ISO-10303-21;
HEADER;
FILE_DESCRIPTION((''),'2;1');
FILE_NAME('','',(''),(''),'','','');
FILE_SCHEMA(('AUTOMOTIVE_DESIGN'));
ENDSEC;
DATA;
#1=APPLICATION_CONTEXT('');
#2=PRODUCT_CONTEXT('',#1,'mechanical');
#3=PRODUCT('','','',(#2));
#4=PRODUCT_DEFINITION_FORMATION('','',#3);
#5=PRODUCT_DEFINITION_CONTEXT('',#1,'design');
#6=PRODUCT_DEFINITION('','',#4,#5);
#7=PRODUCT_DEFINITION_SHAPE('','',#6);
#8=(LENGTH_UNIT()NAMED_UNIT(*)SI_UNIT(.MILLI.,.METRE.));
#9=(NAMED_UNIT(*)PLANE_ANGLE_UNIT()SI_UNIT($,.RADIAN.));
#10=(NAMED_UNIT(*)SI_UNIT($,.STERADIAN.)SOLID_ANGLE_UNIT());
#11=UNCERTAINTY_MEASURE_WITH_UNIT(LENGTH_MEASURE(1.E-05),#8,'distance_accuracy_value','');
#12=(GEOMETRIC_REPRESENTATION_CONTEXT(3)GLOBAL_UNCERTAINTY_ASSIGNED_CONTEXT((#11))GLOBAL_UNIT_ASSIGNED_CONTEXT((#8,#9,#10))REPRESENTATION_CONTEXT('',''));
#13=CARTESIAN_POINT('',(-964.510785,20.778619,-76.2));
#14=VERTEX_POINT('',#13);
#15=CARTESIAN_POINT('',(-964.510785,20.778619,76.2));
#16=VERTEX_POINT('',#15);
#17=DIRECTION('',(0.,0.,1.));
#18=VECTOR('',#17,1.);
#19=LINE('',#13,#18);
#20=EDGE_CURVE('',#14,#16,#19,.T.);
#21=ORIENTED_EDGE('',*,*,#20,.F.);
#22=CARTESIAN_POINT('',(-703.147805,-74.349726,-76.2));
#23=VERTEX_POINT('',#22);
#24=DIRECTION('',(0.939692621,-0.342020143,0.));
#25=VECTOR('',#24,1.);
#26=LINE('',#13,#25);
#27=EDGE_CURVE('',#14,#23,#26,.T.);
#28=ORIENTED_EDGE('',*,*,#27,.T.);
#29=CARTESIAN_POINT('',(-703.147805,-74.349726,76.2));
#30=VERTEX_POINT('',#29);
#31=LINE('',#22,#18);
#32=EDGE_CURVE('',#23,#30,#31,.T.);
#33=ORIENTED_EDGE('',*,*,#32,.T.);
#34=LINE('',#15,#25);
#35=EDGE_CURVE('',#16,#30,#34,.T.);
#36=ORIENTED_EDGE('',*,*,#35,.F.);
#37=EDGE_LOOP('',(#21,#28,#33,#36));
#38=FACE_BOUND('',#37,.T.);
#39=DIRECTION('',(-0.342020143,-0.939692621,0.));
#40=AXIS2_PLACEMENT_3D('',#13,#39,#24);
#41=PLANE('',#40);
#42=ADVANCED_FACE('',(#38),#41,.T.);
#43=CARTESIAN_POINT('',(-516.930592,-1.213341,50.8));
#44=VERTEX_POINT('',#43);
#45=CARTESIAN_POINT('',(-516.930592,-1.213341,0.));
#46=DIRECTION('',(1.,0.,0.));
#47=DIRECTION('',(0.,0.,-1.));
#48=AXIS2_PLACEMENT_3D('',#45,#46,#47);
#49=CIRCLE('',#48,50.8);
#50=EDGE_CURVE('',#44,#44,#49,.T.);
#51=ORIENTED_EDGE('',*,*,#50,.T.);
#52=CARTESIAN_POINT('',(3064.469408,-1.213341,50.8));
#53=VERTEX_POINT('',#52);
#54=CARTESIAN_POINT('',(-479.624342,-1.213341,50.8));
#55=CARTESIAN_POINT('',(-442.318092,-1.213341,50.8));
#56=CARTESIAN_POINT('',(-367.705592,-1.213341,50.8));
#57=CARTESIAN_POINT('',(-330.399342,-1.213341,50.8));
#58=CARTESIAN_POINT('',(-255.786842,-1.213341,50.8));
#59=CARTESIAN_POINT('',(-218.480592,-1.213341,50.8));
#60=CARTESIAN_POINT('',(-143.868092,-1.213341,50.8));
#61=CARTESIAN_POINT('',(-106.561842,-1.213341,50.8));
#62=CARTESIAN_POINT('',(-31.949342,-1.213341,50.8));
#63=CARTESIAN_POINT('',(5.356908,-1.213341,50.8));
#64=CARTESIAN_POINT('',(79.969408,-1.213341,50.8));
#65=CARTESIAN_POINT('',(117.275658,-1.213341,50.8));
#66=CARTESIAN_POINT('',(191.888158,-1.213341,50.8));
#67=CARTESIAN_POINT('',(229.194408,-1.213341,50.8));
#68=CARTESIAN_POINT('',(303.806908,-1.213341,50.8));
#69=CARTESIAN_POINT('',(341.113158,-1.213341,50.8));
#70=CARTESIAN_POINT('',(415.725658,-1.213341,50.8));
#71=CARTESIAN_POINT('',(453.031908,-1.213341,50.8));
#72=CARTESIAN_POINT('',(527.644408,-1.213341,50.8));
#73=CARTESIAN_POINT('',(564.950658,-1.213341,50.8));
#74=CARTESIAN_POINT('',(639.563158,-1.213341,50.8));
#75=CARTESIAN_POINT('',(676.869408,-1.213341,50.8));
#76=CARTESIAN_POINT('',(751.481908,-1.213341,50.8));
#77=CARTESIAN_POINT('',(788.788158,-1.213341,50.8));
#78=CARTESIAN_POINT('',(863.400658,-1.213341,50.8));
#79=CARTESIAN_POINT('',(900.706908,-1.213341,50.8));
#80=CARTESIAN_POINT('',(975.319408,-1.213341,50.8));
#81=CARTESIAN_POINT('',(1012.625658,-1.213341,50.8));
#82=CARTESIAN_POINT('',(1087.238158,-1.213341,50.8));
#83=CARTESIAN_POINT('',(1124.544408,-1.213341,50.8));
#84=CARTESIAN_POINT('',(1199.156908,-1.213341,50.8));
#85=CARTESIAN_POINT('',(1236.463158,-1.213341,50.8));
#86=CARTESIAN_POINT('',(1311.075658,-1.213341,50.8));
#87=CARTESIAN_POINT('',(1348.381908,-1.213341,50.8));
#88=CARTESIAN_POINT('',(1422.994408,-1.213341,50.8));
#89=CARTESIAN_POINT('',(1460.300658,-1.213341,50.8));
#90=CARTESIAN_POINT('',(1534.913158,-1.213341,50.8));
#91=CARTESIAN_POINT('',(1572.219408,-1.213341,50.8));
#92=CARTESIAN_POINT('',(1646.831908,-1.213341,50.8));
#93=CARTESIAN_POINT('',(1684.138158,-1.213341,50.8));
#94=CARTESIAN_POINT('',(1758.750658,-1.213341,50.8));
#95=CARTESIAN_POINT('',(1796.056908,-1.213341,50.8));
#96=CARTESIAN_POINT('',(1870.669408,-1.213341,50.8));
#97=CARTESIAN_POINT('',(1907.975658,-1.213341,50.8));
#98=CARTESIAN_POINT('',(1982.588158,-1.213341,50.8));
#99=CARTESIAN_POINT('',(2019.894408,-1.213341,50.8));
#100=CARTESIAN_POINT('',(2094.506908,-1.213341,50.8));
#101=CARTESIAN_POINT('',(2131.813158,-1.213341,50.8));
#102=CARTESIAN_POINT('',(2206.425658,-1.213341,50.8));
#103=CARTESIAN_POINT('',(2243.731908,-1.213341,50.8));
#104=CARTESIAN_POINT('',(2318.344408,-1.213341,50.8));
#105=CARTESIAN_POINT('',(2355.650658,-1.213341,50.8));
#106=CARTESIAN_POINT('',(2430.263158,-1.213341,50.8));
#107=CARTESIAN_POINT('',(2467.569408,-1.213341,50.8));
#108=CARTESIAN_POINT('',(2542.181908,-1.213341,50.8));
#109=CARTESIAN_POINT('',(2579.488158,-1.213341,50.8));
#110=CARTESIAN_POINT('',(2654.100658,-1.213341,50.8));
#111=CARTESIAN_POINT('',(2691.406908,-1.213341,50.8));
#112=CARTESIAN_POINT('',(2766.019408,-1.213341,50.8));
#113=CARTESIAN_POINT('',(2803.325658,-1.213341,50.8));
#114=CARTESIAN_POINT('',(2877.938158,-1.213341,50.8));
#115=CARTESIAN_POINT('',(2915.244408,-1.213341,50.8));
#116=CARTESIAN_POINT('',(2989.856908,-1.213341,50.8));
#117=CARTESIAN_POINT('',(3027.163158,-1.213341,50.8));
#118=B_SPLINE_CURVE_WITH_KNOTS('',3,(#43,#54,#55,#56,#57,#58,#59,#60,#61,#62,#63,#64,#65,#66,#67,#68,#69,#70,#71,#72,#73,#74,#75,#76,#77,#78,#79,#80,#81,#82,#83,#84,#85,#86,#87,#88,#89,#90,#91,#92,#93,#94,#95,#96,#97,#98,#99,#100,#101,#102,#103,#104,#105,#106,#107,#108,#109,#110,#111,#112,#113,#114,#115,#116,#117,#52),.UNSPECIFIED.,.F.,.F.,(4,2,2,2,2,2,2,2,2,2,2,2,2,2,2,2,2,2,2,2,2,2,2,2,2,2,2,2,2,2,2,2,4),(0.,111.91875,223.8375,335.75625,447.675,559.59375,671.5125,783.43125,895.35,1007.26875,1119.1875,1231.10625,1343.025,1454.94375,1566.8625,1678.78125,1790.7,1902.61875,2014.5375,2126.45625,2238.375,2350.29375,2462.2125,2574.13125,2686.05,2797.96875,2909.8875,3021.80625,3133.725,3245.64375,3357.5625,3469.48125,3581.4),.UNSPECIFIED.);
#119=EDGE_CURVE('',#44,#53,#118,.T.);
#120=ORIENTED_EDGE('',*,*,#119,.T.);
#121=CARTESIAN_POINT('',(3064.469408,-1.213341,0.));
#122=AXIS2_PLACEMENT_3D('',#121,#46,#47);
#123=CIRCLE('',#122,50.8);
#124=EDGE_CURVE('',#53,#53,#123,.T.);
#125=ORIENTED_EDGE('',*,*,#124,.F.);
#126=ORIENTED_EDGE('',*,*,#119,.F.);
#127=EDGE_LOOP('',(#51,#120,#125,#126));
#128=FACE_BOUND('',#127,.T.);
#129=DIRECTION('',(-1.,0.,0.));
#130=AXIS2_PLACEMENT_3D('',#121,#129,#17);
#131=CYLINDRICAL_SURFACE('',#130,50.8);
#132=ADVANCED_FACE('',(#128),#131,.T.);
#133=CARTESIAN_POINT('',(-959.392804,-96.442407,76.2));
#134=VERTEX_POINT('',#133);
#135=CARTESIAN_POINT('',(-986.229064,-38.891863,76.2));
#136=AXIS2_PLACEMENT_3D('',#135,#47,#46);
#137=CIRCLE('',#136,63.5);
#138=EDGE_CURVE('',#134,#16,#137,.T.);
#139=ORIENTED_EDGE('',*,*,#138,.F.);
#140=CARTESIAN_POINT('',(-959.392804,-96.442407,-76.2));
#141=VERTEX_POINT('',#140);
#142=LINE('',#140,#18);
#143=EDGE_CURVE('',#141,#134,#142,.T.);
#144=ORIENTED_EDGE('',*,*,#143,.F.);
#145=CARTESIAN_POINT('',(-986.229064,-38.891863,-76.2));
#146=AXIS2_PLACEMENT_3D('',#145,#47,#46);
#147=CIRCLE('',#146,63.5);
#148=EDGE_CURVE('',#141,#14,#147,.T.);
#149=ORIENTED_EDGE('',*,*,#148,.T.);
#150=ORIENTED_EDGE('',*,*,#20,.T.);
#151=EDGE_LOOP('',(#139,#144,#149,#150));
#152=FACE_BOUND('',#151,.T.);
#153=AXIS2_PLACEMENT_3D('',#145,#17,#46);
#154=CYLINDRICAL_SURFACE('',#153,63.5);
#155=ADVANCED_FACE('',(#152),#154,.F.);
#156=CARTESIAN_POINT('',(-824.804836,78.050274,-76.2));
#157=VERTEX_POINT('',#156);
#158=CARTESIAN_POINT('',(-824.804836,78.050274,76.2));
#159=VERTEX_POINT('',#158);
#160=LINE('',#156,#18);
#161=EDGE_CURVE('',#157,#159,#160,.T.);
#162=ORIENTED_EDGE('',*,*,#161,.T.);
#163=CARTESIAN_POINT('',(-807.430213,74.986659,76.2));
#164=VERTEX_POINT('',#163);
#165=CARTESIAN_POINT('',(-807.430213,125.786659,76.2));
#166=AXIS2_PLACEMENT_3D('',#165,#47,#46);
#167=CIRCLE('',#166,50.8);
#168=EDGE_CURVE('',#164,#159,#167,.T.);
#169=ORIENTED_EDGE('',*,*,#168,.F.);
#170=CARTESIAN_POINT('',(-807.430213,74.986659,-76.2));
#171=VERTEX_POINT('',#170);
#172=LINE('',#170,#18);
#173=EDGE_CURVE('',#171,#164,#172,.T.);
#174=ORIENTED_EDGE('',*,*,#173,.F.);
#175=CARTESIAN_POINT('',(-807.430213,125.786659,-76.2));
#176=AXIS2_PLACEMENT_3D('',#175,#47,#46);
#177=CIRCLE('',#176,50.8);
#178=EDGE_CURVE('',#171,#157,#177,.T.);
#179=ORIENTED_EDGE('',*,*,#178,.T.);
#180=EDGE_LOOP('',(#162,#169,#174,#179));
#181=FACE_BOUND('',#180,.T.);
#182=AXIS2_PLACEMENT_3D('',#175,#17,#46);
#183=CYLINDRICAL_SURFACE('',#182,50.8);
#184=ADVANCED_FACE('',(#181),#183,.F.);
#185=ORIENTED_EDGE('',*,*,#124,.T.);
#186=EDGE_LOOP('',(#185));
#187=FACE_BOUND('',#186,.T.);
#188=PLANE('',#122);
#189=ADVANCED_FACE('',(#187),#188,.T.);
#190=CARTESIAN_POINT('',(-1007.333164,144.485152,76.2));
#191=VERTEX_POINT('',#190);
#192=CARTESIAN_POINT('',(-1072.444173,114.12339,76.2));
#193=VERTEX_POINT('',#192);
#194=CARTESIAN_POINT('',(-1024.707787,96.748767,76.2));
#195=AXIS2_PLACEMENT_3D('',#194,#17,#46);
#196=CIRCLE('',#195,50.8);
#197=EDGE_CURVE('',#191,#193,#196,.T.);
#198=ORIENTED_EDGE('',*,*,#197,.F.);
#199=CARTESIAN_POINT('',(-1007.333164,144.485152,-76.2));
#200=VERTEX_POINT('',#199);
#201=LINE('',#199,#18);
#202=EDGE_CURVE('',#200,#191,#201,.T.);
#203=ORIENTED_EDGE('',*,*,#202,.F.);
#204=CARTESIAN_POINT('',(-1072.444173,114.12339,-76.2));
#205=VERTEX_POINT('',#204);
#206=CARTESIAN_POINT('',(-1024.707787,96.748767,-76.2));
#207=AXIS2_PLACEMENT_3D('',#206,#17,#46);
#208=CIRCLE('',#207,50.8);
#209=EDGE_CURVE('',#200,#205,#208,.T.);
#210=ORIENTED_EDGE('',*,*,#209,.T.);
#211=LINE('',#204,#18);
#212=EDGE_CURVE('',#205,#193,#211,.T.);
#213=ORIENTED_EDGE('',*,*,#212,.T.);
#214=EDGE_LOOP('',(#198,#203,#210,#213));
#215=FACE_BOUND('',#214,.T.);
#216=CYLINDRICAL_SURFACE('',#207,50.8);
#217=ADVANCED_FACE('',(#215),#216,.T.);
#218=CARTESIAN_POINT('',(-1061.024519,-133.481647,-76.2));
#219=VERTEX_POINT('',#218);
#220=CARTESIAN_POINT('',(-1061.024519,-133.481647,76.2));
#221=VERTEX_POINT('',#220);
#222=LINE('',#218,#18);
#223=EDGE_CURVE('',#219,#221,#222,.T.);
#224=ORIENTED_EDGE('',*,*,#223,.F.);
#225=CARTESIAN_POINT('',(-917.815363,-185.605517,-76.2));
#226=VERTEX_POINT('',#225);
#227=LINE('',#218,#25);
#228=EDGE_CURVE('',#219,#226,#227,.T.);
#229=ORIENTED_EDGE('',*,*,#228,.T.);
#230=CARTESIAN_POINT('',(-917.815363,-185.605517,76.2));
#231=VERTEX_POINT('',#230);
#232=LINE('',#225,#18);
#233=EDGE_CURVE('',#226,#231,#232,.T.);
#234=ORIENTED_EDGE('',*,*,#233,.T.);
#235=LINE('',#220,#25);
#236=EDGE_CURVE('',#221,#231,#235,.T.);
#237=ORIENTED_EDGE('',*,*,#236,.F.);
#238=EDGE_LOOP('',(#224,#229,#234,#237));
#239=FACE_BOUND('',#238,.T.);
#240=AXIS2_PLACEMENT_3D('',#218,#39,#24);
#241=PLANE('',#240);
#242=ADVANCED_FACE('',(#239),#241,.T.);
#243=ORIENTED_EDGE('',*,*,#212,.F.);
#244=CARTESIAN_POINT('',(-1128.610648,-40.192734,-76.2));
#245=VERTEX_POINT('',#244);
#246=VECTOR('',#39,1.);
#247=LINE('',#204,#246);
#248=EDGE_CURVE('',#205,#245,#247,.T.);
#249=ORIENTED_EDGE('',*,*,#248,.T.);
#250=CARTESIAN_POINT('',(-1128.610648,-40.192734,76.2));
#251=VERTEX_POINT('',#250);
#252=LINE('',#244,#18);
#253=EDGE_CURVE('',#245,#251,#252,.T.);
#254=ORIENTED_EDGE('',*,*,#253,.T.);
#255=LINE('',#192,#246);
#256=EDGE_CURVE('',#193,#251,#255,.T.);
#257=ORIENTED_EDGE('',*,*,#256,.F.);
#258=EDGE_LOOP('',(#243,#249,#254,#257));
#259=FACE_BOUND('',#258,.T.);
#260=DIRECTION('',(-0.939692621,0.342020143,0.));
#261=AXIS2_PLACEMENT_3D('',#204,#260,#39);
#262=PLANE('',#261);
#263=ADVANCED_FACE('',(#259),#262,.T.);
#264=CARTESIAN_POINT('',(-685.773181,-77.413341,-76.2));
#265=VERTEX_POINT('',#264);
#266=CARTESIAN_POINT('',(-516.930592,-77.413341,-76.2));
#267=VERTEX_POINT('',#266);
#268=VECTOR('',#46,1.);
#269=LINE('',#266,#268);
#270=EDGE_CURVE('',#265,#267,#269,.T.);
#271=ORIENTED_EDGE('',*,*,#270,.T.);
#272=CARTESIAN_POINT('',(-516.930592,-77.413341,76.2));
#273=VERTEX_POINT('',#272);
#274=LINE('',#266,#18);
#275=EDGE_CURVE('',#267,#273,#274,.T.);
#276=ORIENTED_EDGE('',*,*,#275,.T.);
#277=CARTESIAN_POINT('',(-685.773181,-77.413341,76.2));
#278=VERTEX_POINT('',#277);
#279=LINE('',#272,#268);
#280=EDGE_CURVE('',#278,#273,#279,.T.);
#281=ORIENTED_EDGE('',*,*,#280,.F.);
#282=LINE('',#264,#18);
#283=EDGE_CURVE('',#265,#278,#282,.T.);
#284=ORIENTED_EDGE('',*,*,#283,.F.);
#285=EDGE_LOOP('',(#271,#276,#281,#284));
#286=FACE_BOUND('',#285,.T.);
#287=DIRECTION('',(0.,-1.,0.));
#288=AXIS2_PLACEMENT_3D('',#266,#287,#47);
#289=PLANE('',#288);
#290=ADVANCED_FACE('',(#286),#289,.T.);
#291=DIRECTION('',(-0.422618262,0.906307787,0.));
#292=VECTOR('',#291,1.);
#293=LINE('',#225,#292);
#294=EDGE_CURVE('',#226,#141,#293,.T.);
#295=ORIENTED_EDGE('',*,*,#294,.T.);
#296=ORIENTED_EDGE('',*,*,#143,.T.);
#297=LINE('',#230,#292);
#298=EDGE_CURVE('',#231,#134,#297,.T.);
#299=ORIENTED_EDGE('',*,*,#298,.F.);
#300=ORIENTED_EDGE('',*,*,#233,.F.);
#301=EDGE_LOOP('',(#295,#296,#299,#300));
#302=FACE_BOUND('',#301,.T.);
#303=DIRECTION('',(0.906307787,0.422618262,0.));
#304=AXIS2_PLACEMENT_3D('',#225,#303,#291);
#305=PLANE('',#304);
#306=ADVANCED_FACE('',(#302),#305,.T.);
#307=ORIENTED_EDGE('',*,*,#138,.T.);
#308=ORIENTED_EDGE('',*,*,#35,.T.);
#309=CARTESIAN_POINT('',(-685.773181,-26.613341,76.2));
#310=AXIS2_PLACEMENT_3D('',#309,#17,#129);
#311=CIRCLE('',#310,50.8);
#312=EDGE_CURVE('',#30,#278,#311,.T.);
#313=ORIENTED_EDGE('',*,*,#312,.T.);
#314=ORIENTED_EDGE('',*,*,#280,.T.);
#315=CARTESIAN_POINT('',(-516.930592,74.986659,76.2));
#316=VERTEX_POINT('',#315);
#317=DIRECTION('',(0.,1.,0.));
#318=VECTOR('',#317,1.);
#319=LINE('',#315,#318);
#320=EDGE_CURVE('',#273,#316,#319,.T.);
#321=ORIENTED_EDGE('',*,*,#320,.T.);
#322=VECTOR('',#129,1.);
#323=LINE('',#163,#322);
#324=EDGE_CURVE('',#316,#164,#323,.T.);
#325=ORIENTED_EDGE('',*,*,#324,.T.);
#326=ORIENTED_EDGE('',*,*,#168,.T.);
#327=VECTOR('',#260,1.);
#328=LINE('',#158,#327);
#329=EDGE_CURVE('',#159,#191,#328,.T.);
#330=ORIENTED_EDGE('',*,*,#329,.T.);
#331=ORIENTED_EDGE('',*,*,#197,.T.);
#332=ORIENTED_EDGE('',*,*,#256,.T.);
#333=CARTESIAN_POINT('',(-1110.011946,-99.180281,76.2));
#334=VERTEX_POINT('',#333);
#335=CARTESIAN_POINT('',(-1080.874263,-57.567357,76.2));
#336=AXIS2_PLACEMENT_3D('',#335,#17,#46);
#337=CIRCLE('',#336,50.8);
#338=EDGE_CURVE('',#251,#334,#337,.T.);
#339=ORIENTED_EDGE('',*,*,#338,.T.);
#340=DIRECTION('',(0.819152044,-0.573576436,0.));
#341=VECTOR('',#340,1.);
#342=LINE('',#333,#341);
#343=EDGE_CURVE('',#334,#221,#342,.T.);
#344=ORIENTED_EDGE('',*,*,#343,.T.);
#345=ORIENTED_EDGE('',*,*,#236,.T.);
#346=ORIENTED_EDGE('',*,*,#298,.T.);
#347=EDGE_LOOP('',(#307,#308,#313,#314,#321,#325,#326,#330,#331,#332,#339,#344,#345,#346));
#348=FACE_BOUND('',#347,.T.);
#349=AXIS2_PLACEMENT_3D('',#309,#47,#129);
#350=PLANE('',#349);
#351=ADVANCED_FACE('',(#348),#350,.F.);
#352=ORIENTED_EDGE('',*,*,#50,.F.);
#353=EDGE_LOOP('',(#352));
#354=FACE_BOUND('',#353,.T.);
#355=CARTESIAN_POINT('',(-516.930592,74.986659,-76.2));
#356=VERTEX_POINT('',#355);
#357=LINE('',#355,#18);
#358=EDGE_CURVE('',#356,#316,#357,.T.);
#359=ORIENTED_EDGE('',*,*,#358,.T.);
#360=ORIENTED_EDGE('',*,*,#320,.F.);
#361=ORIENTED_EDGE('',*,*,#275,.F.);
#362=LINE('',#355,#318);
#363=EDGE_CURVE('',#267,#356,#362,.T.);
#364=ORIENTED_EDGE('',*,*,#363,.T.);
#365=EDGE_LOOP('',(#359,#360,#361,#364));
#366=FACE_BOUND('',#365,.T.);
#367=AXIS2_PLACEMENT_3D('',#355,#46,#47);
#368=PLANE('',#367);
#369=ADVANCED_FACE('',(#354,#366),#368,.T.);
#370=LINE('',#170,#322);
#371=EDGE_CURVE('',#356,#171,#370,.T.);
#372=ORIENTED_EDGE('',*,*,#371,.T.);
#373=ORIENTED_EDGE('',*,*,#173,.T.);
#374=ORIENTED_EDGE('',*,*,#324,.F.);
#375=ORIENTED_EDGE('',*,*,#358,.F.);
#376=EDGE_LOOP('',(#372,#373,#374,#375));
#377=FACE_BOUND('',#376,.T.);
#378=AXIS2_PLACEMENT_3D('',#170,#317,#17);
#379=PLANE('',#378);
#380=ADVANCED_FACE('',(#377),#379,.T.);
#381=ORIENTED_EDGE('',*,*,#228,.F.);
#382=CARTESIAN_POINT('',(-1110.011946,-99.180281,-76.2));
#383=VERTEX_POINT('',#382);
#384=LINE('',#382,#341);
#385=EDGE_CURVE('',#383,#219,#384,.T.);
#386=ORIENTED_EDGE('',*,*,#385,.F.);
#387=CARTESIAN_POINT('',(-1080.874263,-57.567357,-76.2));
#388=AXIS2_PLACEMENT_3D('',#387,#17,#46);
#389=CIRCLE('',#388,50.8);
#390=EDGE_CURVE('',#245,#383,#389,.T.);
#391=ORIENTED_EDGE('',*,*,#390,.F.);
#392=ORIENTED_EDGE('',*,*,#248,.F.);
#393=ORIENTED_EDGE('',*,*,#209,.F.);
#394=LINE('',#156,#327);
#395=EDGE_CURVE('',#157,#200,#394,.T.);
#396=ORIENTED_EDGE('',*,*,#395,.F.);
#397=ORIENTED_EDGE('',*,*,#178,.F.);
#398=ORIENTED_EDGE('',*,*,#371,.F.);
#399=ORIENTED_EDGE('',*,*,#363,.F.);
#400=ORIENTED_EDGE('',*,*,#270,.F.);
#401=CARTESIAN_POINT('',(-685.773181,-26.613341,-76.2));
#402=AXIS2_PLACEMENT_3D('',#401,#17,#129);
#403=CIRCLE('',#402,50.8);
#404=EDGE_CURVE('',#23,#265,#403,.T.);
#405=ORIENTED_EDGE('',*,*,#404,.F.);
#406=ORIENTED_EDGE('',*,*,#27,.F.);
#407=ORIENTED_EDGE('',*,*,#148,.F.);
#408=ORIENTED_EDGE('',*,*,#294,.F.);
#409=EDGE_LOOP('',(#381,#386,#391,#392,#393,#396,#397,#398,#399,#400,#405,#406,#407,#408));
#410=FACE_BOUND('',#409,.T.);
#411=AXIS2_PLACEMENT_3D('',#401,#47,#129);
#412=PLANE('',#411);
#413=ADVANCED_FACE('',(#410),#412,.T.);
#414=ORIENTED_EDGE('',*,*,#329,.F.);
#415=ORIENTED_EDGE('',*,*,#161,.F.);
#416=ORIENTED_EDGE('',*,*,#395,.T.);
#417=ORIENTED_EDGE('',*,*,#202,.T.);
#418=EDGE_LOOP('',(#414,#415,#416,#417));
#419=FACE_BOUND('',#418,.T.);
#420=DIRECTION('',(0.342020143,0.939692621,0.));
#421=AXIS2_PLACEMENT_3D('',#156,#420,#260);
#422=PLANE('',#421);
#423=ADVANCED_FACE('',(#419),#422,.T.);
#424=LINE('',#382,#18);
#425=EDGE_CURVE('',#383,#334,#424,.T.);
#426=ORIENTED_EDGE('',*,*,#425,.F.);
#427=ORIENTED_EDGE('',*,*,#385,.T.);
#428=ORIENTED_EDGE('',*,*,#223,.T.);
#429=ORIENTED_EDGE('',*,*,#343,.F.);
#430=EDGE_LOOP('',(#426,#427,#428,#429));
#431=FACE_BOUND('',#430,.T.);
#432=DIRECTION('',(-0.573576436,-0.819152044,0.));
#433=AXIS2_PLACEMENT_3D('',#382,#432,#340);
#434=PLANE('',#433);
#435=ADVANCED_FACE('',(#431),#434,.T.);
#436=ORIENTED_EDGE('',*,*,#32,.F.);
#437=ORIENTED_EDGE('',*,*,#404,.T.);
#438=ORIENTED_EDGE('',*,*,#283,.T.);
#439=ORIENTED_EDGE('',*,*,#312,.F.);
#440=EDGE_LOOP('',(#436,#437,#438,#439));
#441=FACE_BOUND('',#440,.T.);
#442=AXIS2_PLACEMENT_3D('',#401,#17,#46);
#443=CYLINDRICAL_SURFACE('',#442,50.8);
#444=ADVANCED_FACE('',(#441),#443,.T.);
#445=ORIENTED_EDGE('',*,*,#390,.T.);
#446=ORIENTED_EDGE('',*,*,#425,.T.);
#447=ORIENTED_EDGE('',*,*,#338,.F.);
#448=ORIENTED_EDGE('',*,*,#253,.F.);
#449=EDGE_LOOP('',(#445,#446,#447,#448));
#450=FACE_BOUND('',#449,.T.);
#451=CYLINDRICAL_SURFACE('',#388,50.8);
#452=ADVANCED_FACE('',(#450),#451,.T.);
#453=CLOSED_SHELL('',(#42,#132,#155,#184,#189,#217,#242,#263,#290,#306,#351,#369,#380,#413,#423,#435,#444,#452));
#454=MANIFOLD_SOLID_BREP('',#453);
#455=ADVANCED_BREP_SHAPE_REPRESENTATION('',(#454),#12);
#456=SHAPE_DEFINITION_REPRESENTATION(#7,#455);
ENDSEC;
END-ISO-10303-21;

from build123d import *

# Parameters (mm, degrees)
SKETCH1_R           = 25.4
BOSS_EXTRUDE1_DEPTH = 1828.8
BOSS_EXTRUDE2_DEPTH = 38.1
SCALE1_SCALE        = 2


with BuildPart() as part:
    # Sketch1 → Boss-Extrude1 (new body)
    with BuildSketch(Plane(origin=(0, 0, 0), x_dir=(0, 0, -1), z_dir=(1, 0, 0))):
        with Locations(Location((0, 0, 0), (0, 0, 180))):
            Circle(SKETCH1_R)
    extrude(amount=BOSS_EXTRUDE1_DEPTH)

    # Sketch2 → Boss-Extrude2 (add, symmetric)
    with BuildSketch(Plane.XY):
        with BuildLine():
            Line((38.1, -38.1), (-46.32129469, -38.1))
            ThreePointArc((-46.32129469, -38.1), (-50.731958403, -37.714116927), (-55.00860633, -36.568192568))
            Line((-55.00860633, -36.568192568), (-185.690096464, 10.99598001))
            ThreePointArc((-185.690096464, 10.99598001), (-228.26901705, -20.224176249), (-183.131106204, -47.614532938))
            Line((-183.131106204, -47.614532938), (-162.342385793, -92.196087728))
            Line((-162.342385793, -92.196087728), (-233.946963497, -66.134152806))
            Line((-233.946963497, -66.134152806), (-258.440677117, -48.983469891))
            ThreePointArc((-258.440677117, -48.983469891), (-268.096246183, -35.814935274), (-267.740028202, -19.489696326))
            Line((-267.740028202, -19.489696326), (-239.656790314, 57.668365634))
            ThreePointArc((-239.656790314, 57.668365634), (-226.523101595, 72.001271785), (-207.101286106, 72.849246562))
            Line((-207.101286106, 72.849246562), (-115.837122165, 39.631807432))
            ThreePointArc((-115.837122165, 39.631807432), (-111.560474237, 38.485883073), (-107.149810524, 38.1))
            Line((-107.149810524, 38.1), (38.1, 38.1))
            Line((38.1, 38.1), (38.1, -38.1))
        make_face()
    extrude(amount=BOSS_EXTRUDE2_DEPTH, both=True)


with BuildPart() as part_1:
    # Scale1: scaled about (593.130591899, 1.21334117, 0)
    add(part.part.scale(SCALE1_SCALE).moved(Location((-593.130591899, -1.21334117, 0))))


solid = part_1.part
